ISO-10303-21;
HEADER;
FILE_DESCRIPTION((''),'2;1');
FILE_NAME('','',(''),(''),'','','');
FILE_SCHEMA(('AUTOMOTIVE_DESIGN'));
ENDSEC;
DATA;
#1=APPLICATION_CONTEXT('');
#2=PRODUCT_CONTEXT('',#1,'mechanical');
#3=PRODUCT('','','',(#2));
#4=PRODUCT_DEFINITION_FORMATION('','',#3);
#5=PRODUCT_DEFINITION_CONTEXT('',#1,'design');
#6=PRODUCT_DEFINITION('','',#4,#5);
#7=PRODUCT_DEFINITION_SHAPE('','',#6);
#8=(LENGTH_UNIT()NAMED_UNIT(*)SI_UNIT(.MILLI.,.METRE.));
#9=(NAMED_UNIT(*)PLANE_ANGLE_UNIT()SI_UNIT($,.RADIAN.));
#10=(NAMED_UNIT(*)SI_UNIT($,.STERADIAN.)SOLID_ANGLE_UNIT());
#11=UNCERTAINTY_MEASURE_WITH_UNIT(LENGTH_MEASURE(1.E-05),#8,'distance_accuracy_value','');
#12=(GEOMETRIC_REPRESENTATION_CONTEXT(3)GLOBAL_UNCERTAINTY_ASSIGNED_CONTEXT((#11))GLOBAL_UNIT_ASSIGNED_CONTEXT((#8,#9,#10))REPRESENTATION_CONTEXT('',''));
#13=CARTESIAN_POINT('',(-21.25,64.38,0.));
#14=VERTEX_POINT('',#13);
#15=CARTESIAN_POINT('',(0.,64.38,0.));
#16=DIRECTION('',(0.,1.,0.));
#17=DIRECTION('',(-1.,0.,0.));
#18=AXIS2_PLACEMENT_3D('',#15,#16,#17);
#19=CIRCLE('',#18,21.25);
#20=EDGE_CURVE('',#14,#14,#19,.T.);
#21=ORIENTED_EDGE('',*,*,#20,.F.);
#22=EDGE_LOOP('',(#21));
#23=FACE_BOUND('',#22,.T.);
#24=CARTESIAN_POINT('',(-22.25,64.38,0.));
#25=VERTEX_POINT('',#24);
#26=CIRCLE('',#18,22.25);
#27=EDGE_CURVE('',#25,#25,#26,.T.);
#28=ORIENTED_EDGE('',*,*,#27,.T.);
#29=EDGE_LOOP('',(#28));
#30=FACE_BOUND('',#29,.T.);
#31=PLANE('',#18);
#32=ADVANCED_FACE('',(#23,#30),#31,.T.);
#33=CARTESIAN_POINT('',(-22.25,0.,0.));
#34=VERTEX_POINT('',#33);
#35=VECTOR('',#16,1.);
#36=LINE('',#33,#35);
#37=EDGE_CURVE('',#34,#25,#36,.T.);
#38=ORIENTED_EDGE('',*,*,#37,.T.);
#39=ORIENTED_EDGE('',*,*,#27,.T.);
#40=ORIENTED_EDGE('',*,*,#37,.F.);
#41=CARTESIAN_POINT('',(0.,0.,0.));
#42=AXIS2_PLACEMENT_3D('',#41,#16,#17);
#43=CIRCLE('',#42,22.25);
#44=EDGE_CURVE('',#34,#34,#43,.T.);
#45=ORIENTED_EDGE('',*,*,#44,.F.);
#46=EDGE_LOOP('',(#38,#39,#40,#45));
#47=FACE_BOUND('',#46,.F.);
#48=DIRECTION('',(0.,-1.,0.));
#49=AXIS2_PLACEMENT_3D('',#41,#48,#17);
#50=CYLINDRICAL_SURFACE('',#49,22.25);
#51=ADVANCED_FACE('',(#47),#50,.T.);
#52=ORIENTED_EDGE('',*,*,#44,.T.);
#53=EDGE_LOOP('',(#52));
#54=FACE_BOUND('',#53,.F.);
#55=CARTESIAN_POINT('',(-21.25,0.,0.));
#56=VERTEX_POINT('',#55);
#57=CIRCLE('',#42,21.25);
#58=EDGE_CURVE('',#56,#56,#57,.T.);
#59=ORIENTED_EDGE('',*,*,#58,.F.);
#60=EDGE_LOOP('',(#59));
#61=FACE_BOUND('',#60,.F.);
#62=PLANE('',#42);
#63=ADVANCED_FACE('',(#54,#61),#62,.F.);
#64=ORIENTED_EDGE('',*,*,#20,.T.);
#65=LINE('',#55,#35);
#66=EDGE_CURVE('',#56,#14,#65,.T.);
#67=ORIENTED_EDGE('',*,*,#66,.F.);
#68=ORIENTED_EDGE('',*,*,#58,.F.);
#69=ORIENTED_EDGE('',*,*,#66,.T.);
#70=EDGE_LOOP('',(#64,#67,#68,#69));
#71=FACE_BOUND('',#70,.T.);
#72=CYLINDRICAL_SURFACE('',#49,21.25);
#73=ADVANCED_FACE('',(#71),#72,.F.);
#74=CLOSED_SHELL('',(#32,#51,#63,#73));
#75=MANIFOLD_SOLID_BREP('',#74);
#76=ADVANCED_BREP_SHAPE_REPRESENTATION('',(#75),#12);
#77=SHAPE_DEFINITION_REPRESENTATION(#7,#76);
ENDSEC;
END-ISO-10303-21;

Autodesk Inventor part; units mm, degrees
ref_plane "YZ Plane" through (0, 0, 0) normal (1, 0, 0) x (0, 1, 0)
ref_plane "XZ Plane" through (0, 0, 0) normal (0, 1, 0) x (-1, 0, 0)
ref_plane "XY Plane" through (0, 0, 0) normal (0, 0, 1) x (1, 0, 0)
sketch "Sketch1" plane through (0, 0, 0) normal (0, 1, 0) x (-1, 0, 0)
  circle A0 centre (0, 0) radius 21.25
  circle A1 centre (0, 0) radius 22.25
  dimension "d0" = 44.5
  dimension "d1" = 42.5
extrude "Extrusion1" add sketch "Sketch1" along normal blind 64.38
thread "Thread1" size "M45x4.5" class "6g" standard "ANSI Metric M Profile" full length
properties part number "Bellows"
